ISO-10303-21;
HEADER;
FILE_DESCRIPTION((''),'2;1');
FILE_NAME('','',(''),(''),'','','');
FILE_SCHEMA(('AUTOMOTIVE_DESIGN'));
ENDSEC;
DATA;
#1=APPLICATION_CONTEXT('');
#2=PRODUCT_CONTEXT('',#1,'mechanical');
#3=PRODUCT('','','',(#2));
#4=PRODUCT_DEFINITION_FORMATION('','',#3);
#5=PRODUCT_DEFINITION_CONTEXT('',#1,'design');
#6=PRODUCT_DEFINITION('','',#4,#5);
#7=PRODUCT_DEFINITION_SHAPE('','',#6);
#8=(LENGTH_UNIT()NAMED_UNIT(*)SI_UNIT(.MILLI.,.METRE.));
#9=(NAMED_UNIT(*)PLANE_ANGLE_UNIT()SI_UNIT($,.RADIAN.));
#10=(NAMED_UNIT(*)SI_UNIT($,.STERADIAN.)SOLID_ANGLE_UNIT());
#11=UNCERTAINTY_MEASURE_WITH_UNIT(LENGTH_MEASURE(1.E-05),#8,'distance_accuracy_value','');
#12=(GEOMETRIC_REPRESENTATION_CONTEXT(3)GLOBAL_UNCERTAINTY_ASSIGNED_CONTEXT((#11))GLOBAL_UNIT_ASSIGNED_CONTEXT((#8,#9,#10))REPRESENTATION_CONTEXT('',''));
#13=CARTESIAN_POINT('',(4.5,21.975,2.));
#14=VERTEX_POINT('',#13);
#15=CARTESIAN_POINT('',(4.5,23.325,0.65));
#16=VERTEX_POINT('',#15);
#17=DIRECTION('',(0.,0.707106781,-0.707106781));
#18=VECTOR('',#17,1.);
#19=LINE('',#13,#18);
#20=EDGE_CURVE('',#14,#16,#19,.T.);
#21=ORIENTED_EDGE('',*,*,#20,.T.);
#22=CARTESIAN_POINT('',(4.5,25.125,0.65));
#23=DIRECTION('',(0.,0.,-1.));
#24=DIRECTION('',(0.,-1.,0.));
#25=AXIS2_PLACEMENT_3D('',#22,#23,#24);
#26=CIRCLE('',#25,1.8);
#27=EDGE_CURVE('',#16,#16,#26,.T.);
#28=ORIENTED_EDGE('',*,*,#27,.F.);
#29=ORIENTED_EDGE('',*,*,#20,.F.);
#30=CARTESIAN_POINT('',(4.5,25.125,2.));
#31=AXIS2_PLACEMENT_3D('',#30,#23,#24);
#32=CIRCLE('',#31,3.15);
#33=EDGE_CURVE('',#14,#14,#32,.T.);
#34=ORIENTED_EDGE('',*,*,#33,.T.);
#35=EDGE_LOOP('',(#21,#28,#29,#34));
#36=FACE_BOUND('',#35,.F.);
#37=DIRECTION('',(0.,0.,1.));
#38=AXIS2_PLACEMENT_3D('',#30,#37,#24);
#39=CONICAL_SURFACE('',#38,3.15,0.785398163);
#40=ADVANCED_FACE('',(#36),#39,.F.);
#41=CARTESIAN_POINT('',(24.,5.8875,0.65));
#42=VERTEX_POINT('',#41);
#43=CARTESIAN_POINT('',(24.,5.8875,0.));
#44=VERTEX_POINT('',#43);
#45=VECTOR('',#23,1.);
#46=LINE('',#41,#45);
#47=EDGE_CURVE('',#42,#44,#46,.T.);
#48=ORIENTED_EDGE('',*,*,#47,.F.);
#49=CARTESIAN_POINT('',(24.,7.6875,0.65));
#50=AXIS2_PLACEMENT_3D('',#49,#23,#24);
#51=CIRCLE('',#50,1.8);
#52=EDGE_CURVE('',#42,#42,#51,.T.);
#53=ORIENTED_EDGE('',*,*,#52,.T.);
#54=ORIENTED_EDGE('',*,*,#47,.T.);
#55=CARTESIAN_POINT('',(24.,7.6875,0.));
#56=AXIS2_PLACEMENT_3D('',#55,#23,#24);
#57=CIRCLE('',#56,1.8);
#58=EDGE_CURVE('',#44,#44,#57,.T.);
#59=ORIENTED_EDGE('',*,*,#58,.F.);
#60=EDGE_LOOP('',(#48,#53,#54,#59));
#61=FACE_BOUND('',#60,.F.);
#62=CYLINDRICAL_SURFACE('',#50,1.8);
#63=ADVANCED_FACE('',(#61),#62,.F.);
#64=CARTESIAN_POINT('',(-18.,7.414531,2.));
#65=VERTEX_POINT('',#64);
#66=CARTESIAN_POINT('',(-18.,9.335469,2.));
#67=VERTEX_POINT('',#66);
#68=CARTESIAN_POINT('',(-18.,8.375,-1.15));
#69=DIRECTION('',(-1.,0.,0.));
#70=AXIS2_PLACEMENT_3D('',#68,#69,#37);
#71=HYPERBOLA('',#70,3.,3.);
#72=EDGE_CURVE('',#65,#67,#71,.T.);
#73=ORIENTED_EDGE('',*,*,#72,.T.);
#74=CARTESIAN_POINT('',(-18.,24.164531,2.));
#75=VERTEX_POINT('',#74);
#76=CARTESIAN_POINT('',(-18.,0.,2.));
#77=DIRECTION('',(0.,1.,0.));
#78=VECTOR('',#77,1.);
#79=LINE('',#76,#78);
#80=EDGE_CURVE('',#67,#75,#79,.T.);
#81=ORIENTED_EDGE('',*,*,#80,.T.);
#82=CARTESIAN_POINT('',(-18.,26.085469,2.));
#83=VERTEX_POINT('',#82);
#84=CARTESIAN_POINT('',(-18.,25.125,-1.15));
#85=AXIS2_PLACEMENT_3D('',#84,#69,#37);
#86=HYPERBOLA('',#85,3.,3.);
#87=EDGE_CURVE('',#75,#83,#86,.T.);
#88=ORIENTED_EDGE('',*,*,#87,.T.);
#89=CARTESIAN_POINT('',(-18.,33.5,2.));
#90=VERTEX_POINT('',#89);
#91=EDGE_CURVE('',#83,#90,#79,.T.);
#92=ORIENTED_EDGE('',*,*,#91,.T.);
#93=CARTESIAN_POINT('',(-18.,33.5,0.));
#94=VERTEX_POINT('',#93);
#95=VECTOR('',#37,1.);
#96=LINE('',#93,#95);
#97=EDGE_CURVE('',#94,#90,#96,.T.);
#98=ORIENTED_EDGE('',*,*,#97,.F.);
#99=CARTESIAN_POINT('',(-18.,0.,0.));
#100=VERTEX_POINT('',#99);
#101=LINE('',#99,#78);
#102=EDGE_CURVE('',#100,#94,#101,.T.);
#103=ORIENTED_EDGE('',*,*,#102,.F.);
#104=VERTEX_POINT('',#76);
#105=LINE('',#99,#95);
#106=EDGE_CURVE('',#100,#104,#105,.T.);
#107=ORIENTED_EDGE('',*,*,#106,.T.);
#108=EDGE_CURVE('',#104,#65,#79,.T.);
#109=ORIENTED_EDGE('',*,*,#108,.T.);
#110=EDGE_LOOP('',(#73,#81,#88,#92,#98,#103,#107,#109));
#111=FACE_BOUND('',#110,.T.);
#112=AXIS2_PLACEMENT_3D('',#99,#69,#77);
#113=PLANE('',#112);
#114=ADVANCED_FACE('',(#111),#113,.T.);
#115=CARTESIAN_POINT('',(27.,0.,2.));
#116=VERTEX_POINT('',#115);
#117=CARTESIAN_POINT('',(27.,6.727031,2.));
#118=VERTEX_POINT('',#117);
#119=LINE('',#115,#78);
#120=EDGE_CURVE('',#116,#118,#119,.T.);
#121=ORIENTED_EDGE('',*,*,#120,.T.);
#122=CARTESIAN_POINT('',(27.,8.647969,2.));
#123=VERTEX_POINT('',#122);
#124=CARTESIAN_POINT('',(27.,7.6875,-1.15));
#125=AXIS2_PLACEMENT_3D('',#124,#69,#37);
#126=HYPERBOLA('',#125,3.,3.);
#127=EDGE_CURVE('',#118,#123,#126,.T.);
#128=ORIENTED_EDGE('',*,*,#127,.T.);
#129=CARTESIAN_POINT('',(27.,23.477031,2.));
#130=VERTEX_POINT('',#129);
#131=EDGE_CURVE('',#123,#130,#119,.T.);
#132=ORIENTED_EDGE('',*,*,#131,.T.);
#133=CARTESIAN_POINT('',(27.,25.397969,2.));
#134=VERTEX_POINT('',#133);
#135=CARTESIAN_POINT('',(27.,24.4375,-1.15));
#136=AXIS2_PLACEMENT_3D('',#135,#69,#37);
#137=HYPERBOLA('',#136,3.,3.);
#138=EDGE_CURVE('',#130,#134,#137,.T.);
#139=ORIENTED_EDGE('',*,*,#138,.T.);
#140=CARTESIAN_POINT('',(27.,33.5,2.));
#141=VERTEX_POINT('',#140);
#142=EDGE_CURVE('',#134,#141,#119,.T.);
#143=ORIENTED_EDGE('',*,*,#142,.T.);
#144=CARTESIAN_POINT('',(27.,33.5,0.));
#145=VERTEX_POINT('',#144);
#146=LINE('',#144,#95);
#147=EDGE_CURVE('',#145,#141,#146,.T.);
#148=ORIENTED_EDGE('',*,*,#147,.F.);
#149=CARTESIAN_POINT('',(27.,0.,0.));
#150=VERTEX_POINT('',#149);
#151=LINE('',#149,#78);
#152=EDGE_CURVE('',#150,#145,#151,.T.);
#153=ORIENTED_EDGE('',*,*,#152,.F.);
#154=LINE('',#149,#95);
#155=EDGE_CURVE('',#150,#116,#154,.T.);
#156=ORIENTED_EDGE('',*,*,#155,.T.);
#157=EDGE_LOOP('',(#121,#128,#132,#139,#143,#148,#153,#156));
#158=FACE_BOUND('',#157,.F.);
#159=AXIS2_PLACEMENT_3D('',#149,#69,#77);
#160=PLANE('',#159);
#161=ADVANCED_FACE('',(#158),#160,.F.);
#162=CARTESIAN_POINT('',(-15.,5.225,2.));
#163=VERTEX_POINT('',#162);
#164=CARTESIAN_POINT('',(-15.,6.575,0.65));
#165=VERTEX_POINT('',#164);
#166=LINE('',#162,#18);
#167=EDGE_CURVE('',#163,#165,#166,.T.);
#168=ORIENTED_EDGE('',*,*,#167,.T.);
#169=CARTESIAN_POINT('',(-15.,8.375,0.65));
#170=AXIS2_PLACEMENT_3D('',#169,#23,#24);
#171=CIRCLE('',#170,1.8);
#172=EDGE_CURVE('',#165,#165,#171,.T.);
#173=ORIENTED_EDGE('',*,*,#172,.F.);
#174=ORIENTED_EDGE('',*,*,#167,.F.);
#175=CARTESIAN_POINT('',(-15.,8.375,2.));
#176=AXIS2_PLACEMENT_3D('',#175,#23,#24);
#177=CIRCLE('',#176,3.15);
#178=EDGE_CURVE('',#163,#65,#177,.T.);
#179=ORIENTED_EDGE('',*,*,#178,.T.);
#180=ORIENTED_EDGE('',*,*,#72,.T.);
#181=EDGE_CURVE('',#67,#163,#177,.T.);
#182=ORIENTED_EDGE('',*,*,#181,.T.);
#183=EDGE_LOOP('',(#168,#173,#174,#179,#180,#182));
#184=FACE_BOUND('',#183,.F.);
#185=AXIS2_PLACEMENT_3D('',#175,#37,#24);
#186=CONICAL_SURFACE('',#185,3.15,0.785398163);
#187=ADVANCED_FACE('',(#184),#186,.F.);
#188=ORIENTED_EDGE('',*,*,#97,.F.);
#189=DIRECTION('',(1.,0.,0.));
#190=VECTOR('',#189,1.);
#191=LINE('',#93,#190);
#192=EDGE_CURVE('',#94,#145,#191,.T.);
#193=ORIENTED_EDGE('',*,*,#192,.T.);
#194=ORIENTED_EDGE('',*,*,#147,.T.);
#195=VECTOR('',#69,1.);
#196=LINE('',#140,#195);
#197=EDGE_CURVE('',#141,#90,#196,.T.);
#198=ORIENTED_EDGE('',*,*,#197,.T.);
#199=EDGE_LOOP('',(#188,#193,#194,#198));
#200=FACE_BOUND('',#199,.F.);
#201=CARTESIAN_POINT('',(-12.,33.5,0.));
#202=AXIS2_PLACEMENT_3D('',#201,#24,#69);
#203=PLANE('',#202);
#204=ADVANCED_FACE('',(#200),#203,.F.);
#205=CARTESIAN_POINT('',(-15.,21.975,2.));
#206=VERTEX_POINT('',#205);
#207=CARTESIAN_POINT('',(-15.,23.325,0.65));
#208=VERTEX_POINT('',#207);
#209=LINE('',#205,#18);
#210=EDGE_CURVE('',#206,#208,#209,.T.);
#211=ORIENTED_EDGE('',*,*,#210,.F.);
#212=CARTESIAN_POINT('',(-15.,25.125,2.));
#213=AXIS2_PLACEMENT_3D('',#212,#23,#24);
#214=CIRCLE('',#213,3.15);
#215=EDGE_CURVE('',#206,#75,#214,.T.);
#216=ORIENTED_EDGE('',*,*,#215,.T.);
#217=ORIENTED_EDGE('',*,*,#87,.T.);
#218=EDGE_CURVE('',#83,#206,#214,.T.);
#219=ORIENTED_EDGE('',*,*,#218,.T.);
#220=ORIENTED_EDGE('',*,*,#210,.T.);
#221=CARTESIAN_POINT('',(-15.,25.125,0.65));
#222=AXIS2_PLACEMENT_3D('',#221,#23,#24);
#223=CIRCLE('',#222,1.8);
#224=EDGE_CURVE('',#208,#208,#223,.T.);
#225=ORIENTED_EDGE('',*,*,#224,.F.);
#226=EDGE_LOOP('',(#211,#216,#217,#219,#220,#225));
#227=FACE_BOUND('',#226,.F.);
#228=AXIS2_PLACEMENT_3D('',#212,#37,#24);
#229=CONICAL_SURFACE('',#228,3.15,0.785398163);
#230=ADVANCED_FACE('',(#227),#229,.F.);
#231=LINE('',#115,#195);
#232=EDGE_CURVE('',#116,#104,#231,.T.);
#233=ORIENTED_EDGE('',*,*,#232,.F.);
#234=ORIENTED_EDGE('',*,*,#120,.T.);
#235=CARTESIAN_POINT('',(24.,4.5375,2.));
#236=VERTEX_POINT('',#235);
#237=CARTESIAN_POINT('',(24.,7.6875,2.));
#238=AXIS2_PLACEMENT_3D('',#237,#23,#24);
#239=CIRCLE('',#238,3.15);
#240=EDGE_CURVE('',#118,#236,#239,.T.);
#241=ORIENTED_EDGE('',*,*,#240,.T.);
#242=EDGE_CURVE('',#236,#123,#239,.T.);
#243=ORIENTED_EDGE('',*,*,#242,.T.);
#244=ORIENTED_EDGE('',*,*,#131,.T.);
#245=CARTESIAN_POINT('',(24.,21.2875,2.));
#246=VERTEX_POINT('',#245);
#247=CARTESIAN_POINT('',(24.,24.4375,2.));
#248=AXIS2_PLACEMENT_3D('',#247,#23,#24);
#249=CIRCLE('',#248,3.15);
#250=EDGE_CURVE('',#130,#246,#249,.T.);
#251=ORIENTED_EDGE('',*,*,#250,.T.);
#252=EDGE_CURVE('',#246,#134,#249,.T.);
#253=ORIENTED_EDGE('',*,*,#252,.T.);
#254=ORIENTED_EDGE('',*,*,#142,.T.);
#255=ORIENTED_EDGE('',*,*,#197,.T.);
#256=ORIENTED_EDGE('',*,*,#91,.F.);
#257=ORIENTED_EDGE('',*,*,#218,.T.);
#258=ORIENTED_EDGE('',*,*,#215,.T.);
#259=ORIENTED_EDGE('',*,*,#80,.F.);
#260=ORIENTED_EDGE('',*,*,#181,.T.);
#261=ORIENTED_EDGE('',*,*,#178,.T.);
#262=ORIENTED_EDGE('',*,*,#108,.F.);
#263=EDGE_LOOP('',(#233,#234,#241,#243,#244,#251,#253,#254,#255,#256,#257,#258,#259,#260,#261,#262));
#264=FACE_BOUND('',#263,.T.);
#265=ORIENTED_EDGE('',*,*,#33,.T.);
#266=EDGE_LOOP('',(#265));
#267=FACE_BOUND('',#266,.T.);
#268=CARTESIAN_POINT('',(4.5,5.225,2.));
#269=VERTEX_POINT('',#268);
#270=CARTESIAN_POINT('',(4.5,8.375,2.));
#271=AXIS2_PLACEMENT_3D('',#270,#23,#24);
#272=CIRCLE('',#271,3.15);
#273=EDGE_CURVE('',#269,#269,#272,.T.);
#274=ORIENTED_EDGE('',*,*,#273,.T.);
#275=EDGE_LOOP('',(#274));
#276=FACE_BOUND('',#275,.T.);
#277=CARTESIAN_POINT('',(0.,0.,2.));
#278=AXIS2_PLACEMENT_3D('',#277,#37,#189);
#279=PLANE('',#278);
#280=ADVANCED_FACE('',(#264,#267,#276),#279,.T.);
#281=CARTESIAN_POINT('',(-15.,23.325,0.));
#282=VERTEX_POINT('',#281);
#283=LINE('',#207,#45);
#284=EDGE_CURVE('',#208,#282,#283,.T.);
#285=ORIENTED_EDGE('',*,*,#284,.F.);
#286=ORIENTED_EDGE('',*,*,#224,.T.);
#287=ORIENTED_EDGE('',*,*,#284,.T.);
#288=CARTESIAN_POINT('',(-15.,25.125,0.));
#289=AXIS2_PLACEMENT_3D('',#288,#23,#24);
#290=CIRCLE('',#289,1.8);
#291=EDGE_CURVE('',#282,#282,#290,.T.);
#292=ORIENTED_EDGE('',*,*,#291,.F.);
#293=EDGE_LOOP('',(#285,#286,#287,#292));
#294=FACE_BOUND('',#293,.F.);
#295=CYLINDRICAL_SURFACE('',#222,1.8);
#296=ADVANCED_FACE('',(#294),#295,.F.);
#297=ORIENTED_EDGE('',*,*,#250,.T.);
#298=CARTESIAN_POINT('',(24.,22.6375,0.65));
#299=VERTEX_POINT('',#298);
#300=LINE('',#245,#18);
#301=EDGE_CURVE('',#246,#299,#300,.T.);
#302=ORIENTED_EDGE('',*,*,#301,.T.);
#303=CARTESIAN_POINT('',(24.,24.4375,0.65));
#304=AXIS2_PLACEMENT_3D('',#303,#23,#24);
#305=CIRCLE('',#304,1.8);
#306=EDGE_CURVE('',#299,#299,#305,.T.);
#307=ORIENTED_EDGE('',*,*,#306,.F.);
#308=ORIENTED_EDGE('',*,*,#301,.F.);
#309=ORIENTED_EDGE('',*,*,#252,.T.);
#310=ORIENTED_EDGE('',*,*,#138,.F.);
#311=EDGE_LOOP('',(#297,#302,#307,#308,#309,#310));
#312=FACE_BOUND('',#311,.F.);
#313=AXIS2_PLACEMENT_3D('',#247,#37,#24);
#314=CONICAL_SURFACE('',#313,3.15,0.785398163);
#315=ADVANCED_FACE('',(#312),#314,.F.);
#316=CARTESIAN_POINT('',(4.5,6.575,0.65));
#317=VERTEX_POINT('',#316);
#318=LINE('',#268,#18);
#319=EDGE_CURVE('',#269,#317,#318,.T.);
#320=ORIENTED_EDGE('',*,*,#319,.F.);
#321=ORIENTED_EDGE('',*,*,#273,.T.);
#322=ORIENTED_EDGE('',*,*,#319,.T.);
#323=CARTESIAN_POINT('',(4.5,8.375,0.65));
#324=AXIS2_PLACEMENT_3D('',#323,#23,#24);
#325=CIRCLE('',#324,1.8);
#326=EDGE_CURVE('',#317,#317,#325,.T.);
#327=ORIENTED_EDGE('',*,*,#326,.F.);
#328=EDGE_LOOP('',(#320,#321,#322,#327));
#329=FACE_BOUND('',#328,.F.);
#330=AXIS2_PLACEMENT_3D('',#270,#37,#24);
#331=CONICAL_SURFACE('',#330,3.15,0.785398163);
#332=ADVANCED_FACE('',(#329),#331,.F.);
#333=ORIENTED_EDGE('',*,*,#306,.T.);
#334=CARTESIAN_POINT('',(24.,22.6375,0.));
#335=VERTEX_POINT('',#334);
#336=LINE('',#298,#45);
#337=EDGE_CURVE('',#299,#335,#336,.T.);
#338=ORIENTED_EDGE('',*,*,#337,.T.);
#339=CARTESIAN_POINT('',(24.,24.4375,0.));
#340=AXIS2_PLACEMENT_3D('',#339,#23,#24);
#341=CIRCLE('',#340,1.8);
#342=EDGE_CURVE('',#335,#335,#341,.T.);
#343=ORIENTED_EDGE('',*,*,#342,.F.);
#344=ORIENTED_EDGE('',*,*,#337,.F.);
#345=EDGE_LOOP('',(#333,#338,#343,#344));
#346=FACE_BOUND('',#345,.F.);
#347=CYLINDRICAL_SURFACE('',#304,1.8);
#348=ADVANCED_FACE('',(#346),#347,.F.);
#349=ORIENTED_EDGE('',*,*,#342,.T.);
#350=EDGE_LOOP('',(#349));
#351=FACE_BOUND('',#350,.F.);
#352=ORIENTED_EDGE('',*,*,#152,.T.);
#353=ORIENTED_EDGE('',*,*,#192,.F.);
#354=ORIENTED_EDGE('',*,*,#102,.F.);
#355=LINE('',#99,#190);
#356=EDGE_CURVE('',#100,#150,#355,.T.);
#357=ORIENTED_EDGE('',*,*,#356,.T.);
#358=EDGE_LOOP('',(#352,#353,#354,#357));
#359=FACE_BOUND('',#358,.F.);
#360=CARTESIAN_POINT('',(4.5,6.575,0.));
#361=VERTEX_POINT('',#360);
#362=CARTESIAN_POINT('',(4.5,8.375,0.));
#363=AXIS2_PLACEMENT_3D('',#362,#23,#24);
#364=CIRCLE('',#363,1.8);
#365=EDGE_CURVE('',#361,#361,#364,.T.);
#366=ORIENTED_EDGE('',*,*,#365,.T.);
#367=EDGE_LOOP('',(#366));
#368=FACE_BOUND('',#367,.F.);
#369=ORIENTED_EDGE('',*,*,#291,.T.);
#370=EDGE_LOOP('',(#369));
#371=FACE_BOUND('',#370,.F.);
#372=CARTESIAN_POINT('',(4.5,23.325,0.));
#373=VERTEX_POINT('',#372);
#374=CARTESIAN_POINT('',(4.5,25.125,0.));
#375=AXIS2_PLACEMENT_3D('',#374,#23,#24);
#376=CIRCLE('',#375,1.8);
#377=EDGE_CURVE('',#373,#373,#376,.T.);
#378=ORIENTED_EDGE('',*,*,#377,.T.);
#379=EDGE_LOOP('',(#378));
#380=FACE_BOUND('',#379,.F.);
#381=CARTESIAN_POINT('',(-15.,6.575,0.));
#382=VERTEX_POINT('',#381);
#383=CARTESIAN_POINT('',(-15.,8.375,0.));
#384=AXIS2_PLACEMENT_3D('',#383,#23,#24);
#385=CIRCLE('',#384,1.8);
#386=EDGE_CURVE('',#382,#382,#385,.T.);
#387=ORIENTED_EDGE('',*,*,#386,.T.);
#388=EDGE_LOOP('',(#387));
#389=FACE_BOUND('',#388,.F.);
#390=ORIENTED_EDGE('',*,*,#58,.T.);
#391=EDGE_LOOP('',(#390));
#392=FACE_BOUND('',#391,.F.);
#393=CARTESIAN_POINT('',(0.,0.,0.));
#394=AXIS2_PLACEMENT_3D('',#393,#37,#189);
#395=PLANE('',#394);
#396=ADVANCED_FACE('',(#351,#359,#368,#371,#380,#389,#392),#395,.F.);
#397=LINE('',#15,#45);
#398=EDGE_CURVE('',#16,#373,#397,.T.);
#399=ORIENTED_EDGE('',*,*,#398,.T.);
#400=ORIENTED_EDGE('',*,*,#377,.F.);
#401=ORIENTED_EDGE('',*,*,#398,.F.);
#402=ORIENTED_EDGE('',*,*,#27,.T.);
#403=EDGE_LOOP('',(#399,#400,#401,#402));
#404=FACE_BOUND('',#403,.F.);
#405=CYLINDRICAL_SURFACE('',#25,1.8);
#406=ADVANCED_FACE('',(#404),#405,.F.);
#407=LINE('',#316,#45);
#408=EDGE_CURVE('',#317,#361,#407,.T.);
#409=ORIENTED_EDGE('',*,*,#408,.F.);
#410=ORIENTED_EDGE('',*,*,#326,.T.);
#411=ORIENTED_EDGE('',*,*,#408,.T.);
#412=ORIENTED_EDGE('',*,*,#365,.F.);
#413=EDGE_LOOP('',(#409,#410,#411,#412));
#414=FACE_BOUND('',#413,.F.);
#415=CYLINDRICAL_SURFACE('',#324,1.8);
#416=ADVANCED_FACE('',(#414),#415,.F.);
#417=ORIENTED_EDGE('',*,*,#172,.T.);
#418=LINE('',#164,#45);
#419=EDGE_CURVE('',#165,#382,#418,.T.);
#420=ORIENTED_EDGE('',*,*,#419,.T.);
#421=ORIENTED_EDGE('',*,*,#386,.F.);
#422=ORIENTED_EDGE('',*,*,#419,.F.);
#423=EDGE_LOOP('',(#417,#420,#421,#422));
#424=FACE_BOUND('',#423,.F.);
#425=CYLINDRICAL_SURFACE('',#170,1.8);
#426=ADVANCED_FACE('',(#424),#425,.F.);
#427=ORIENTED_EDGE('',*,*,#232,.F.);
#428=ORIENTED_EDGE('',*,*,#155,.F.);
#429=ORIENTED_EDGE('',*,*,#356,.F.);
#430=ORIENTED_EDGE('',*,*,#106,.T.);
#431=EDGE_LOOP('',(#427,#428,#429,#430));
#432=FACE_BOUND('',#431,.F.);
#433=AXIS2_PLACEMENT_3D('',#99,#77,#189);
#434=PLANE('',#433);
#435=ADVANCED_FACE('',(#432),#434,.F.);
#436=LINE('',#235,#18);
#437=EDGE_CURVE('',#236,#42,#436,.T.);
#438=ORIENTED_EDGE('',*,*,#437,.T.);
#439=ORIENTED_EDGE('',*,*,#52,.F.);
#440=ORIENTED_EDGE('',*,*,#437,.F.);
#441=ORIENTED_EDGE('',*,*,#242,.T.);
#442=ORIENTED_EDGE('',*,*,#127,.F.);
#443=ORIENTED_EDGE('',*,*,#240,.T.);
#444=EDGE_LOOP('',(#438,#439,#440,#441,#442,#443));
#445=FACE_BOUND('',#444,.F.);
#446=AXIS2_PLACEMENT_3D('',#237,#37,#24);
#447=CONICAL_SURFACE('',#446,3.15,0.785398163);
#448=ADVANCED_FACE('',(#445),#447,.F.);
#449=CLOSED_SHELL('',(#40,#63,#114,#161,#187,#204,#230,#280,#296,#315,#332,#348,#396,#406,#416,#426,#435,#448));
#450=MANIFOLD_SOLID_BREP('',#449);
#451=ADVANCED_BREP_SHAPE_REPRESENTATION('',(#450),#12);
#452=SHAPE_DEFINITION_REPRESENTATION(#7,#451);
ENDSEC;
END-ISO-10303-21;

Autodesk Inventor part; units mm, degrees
ref_plane "YZ Plane" through (0, 0, 0) normal (1, 0, 0) x (0, 1, 0)
ref_plane "XZ Plane" through (0, 0, 0) normal (0, 1, 0) x (-1, 0, 0)
ref_plane "Work Plane1" through (0, 0, 0) normal (0, 0, 1) x (1, 0, 0)
sketch "Sketch1" plane through (0, 0, 0) normal (0, 0, 1) x (1, 0, 0)
  line L0 (-12, 33.5) -> (-18, 33.5) projected
  line L1 (-18, 0) -> (-18, 33.5) projected
  line L2 (-18, 0) -> (-12, 0) projected
  line L3 (-12, 0) -> (-12, 33.5) projected
  line L4 (27, 33.5) -> (21, 33.5) projected
  line L5 (21, 0) -> (21, 33.5) projected
  line L6 (21, 0) -> (27, 0) projected
  line L7 (27, 0) -> (27, 33.5) projected
  line L8 (-18, 33.5) -> (27, 33.5)
  line L9 (27, 33.5) -> (27, 0)
  line L10 (27, 0) -> (-18, 0)
  line L11 (-18, 0) -> (-18, 33.5)
  circle A0 centre (-15, 25.125) radius 2.3 projected
  circle A1 centre (-15, 8.375) radius 2.3 projected
  circle A2 centre (24, 24.4375) radius 2.3 projected
  circle A3 centre (24, 7.6875) radius 2.3 projected
  point P0 (0, 0)
ref_plane "Work Plane2" through (-69.2, 0, 2) normal (0, 0, -1) x (0, 1, 0)
extrude "Extrusion1" add sketch "Sketch1" along normal up to surface (2 mm away) contours L3 L2 L1 L0 | L8 L5 L10 L3 | L4 L7 L6 L5 | A0 | A1 | A2 | A3
sketch "Sketch2" plane through (-18, 33.5, 2) normal (0, 0, 1) x (1, 0, 0)
  circle A0 centre (3, -8.375) radius 2.3 projected
  circle A1 centre (3, -25.125) radius 2.3 projected
  line L0 (6, 0) -> (0, 0) projected
  line L1 (0, -33.5) -> (0, 0) projected
  line L2 (0, -33.5) -> (6, -33.5) projected
  line L3 (6, -33.5) -> (6, 0) projected
  circle A2 centre (22.5, -25.125) radius 2.3 projected
  circle A3 centre (22.5, -8.375) radius 2.3 projected
  line L4 (27, 0) -> (18, 0) projected
  line L5 (18, -33.5) -> (18, 0) projected
  line L6 (18, -33.5) -> (27, -33.5) projected
  line L7 (27, -33.5) -> (27, 0) projected
  circle A4 centre (42, -9.0625) radius 2.3 projected
  circle A5 centre (42, -25.8125) radius 2.3 projected
  line L8 (45, 0) -> (39, 0) projected
  line L9 (39, -33.5) -> (39, 0) projected
  line L10 (39, -33.5) -> (45, -33.5) projected
  line L11 (45, -33.5) -> (45, 0) projected
hole "Hole1" at (-15, 25.125, 2) at (-15, 8.375, 2) at (4.5, 8.375, 2) at (4.5, 25.125, 2) at (24, 24.4375, 2) at (24, 7.6875, 2) direction (0, 0, -1) diameter 3.6 end through all countersink diameter 6.3 countersink angle 90 clearance for "Countersunk Flat Head Screw ISO 2009/7046" size "M3" standard "ISO"
properties part number "front_gear_holder" material "ABS Plastic"
